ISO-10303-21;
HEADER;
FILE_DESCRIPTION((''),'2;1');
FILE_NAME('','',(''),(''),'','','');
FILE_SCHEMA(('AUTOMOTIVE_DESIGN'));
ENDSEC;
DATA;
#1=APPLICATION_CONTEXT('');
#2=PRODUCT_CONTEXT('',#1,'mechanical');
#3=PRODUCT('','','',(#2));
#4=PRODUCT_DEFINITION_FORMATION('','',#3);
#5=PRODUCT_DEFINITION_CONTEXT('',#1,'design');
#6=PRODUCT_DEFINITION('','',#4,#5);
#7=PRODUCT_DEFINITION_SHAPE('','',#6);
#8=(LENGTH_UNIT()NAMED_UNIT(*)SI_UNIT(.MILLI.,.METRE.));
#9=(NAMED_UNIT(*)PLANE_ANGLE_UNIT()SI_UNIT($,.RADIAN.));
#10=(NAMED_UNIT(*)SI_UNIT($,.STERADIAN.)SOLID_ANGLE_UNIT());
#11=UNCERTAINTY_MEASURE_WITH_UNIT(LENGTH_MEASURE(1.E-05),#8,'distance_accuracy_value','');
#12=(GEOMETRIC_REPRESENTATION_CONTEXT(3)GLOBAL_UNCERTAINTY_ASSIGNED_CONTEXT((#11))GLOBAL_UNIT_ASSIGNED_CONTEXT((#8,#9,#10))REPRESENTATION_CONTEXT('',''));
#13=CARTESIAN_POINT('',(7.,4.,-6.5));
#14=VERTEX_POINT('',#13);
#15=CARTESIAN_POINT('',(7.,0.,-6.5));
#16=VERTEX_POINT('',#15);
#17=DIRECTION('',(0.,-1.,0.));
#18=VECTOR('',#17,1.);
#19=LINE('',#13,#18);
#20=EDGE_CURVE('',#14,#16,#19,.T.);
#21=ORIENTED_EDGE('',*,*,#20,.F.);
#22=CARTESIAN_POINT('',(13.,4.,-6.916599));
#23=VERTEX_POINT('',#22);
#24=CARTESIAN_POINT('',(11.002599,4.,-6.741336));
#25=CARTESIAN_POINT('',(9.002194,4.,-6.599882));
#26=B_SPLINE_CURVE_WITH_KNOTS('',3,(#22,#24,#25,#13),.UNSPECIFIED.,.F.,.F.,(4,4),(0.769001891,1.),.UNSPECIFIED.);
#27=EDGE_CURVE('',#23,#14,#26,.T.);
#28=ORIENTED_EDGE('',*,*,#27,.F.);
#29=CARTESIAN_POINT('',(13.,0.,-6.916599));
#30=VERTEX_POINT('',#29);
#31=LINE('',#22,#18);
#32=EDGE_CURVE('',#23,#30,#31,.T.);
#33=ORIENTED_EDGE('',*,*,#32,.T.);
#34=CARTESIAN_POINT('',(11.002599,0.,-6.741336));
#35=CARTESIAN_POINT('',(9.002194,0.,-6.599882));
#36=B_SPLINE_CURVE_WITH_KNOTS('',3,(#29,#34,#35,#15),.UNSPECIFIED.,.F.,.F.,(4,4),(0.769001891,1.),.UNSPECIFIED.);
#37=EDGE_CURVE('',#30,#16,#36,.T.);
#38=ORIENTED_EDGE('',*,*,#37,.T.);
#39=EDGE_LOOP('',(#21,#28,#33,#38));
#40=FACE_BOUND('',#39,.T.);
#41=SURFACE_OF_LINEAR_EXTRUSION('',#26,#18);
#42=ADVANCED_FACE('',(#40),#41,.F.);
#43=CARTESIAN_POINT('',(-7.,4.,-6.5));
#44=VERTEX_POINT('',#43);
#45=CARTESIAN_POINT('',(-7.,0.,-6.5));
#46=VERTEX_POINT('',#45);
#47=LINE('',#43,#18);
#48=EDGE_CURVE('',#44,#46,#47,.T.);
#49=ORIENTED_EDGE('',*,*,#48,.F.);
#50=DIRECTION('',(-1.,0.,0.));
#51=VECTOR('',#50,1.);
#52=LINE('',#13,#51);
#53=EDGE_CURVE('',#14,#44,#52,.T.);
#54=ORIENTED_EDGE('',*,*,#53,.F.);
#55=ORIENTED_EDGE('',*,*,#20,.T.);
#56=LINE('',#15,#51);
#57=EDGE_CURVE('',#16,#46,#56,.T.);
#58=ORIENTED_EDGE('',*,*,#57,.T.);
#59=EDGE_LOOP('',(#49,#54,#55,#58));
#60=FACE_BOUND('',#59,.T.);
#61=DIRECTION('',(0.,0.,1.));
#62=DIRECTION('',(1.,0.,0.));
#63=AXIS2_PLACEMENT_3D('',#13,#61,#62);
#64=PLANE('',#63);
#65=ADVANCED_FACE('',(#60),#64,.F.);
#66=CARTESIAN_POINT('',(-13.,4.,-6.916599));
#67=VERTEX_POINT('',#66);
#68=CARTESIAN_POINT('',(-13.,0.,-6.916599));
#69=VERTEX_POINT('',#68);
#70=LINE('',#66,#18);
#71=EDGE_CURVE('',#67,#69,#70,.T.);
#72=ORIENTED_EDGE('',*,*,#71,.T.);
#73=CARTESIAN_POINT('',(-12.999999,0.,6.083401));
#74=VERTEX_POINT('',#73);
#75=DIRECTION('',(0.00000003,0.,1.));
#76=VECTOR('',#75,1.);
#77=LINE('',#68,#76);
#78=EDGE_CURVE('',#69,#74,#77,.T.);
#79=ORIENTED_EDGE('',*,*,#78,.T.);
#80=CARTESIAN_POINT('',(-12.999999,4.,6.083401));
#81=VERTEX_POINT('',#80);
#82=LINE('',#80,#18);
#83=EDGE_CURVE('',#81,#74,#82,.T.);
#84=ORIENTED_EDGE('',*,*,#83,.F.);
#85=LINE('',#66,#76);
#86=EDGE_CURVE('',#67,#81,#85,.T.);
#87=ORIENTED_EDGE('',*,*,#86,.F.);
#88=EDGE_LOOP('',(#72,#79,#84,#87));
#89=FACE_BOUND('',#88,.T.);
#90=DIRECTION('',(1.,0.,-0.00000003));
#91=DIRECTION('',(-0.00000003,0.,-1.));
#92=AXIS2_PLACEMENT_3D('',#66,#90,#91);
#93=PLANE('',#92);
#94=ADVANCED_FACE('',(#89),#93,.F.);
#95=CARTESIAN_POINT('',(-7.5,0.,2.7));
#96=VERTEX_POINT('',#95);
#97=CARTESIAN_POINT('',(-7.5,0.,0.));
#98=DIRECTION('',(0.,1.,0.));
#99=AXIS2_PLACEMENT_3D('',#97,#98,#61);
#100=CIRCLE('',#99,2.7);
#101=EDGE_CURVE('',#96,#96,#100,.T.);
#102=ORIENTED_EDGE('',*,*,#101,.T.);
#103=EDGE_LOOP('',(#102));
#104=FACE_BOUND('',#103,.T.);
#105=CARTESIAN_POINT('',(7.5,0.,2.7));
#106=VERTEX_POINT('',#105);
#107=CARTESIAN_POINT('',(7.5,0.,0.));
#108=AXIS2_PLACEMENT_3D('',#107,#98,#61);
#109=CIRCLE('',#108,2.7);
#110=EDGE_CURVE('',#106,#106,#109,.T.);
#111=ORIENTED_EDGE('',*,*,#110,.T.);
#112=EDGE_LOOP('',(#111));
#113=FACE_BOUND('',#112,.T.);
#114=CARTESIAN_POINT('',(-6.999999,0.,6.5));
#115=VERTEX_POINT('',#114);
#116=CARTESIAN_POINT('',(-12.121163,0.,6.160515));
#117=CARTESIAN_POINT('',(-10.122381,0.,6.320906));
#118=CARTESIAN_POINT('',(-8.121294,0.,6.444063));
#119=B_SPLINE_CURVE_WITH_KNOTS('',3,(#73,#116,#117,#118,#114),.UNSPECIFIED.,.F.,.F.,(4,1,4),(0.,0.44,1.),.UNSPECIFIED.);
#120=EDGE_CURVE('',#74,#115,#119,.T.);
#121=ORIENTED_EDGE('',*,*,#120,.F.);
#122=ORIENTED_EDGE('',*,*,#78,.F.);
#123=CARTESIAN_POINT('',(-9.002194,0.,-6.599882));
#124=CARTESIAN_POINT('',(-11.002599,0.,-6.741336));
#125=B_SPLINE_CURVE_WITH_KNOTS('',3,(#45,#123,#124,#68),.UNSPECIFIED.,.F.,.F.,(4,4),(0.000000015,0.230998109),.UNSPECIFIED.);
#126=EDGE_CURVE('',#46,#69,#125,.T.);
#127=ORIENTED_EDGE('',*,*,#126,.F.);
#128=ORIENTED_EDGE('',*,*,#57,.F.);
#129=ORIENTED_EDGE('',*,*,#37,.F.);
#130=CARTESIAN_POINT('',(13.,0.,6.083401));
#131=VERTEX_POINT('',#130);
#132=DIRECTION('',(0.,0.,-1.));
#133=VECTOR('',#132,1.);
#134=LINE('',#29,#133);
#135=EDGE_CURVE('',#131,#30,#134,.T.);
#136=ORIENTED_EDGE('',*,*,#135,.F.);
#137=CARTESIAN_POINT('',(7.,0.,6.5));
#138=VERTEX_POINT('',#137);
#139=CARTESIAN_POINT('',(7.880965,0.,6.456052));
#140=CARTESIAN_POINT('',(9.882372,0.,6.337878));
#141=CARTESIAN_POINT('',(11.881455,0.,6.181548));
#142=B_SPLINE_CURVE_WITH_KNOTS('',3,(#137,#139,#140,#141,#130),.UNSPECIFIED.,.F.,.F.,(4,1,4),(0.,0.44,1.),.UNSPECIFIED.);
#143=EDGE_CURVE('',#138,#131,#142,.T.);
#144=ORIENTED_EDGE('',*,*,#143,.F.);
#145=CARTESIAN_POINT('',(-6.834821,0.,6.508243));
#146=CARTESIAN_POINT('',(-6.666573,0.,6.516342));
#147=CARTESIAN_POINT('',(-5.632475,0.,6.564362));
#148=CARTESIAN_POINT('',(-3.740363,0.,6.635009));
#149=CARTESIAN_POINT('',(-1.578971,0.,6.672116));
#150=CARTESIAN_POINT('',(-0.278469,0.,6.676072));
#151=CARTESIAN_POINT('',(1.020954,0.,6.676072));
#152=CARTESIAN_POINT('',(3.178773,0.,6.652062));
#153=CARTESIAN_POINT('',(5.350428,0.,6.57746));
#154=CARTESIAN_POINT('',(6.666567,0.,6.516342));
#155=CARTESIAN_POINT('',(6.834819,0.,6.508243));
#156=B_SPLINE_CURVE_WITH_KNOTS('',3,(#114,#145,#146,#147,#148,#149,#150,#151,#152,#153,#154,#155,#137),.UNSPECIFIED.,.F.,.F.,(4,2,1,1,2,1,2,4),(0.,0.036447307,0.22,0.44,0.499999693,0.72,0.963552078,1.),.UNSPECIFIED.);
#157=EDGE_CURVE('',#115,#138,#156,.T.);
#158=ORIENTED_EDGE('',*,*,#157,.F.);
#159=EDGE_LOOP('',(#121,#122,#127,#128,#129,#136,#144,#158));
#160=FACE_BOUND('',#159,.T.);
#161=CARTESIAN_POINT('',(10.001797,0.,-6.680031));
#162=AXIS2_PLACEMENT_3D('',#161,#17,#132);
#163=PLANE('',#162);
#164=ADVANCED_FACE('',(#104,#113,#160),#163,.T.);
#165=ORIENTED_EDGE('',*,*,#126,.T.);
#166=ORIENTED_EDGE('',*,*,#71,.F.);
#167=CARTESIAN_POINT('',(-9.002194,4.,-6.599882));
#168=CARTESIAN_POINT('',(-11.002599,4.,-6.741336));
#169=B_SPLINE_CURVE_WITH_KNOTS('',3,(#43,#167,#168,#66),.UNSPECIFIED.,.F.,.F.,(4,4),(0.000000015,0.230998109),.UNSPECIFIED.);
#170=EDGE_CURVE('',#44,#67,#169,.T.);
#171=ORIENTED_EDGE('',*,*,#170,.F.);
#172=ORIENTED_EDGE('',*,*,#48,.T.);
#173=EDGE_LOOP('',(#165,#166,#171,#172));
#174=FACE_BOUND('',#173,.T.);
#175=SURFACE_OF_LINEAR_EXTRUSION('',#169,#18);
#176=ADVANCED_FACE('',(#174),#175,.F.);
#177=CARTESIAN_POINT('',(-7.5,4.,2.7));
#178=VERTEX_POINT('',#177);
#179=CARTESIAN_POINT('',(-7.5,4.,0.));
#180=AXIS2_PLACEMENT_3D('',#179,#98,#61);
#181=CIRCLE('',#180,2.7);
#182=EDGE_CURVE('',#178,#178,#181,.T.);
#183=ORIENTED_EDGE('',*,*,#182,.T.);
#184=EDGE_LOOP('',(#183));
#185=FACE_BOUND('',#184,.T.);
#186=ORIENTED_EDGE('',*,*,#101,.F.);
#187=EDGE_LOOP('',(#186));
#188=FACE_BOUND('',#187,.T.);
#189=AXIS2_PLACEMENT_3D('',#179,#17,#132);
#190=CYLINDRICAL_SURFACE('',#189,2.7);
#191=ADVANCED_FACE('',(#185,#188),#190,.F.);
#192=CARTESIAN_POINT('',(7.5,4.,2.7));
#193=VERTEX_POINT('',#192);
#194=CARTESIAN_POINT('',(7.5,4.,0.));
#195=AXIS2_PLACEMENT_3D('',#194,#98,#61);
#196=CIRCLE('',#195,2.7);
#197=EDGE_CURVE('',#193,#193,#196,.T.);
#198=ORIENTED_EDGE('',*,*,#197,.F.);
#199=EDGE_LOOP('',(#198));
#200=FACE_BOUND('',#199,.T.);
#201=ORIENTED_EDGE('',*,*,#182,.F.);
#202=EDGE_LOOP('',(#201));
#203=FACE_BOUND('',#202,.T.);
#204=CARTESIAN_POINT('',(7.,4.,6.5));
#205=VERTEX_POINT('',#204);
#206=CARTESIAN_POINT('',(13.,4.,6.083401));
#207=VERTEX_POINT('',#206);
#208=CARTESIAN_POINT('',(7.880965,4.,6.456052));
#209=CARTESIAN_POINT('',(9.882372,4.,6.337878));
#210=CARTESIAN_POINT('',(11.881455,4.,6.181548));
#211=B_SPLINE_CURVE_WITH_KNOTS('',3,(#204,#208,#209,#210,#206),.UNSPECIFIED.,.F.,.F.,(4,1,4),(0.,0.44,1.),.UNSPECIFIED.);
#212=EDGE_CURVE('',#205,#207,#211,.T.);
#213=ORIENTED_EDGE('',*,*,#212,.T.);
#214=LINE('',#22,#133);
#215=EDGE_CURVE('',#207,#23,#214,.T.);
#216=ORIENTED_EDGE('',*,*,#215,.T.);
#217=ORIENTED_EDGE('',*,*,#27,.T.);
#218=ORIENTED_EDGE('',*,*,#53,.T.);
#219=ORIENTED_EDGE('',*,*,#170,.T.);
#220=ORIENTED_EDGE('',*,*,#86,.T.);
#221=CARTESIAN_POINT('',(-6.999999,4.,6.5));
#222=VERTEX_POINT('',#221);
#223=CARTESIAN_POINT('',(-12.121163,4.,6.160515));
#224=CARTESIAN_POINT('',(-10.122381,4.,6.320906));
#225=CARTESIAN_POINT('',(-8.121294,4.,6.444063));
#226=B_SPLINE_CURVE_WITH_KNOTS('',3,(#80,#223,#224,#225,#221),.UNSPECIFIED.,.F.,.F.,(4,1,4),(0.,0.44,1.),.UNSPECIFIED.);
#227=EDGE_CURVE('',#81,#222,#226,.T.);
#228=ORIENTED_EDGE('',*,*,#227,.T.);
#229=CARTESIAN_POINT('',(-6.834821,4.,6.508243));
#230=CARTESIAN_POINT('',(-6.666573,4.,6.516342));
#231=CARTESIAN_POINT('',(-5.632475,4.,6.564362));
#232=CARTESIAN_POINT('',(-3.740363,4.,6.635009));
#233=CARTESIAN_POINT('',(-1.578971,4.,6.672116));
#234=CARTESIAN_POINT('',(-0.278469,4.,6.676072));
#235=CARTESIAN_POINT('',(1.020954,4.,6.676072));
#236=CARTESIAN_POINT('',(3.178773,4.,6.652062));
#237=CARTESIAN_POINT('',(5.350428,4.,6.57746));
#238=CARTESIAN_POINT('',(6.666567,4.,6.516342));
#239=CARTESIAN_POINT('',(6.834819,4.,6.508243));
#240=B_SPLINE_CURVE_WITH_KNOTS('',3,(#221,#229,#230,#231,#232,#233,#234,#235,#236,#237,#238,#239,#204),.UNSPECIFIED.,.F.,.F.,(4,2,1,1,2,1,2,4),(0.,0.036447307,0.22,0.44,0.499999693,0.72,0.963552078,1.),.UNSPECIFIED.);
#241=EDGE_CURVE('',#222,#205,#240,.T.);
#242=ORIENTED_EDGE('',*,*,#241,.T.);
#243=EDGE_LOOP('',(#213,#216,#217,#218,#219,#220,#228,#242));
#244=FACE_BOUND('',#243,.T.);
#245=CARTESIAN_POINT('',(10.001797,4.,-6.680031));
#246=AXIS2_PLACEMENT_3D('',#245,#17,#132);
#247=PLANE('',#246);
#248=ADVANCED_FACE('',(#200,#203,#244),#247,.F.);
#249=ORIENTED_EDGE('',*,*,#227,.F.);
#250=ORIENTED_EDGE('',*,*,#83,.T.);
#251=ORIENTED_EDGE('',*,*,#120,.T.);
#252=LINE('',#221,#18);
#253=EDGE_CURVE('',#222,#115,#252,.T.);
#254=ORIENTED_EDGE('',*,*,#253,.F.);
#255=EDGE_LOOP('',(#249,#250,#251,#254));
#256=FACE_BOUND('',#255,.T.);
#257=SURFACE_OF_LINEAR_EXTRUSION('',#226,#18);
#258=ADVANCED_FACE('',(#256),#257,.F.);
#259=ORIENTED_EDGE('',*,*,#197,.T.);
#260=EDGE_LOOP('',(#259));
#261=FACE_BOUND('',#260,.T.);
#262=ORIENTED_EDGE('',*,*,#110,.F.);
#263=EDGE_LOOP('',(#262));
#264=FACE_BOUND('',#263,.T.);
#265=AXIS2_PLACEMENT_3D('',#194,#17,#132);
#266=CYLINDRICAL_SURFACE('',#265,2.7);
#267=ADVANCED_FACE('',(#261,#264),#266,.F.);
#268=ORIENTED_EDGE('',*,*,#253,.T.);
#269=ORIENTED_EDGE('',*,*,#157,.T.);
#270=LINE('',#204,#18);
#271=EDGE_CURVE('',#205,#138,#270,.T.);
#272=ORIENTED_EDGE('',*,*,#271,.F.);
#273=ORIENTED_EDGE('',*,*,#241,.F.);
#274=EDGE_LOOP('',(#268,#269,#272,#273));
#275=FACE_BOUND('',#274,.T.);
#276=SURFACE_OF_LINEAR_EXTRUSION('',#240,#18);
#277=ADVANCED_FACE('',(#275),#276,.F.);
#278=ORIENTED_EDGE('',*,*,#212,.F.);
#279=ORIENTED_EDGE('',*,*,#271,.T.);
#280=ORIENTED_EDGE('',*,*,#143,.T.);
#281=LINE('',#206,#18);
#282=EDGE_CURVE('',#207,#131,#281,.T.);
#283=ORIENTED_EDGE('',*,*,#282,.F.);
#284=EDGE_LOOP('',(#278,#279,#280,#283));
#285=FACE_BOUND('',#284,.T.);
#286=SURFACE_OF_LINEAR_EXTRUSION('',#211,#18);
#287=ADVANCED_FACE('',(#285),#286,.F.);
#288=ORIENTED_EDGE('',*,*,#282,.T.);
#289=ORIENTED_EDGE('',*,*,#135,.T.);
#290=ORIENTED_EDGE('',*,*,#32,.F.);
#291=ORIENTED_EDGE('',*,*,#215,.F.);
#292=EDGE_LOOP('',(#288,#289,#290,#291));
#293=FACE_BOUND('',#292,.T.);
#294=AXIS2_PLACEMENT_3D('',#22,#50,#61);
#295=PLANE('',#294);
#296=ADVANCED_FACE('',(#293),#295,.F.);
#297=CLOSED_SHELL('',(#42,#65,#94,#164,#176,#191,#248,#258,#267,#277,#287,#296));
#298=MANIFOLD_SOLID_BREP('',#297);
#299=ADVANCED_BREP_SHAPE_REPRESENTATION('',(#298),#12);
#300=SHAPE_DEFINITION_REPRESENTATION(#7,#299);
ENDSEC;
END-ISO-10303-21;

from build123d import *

# Parameters (mm, degrees)
SKETCH1_R           = 2.7
BOSS_EXTRUDE1_DEPTH = 4


with BuildPart() as part:
    # Sketch1 → Boss-Extrude1 (new body)
    with BuildSketch(Plane(origin=(0, 0, 0), x_dir=(1, 0, 0), z_dir=(0, 1, 0))):
        with BuildLine():
            Line((13, 6.916598833), (13, -6.083401167))
            add(Edge.make_bspline(
                [(13, -6.083401167), (11.881455284, -6.181548449), (9.882372116, -6.337878454), (7.880965391, -6.456052029), (7, -6.5)],
                knots=[0, 0, 0, 0, 0.56, 1, 1, 1, 1], degree=3))
            add(Edge.make_bspline(
                [(7, -6.5), (6.834819068, -6.508242741), (6.666566964, -6.516342005), (5.350428343, -6.577459909), (3.178772662, -6.652062078), (1.020954011, -6.676072233), (-0.278468619, -6.676071849), (-1.578970751, -6.672116146), (-3.740363082, -6.635008847), (-5.632474881, -6.564362453), (-6.66657307, -6.516341675), (-6.834821325, -6.50824259), (-6.999999228, -6.5)],
                knots=[0, 0, 0, 0, 0.036447922, 0.036447922, 0.28, 0.500000307, 0.500000307, 0.56, 0.78, 0.963552693, 0.963552693, 1, 1, 1, 1], degree=3))
            add(Edge.make_bspline(
                [(-6.999999228, -6.5), (-8.121293995, -6.444062922), (-10.122381008, -6.320906395), (-12.121162985, -6.160515106), (-12.999999228, -6.083401167)],
                knots=[0, 0, 0, 0, 0.56, 1, 1, 1, 1], degree=3))
            Line((-12.999999228, -6.083401167), (-12.999999614, 6.916598833))
            add(Edge.make_bspline(
                [(-12.999999614, 6.916598833), (-11.002598721, 6.741335829), (-9.00219407, 6.599881753), (-7, 6.5)],
                knots=[1.5e-08, 1.5e-08, 1.5e-08, 1.5e-08, 0.230998109, 0.230998109, 0.230998109, 0.230998109], degree=3))
            Line((-7, 6.5), (7, 6.5))
            add(Edge.make_bspline(
                [(7, 6.5), (9.00219407, 6.599881753), (11.002598721, 6.741335829), (13, 6.916598833)],
                knots=[0.769001891, 0.769001891, 0.769001891, 0.769001891, 1, 1, 1, 1], degree=3))
        make_face()
        with Locations(Location((-7.5, 0, 0), (0, 0, 270))):
            Circle(SKETCH1_R, mode=Mode.SUBTRACT)
        with Locations(Location((7.5, 0, 0), (0, 0, 270))):
            Circle(SKETCH1_R, mode=Mode.SUBTRACT)
    extrude(amount=BOSS_EXTRUDE1_DEPTH)


solid = part.part
